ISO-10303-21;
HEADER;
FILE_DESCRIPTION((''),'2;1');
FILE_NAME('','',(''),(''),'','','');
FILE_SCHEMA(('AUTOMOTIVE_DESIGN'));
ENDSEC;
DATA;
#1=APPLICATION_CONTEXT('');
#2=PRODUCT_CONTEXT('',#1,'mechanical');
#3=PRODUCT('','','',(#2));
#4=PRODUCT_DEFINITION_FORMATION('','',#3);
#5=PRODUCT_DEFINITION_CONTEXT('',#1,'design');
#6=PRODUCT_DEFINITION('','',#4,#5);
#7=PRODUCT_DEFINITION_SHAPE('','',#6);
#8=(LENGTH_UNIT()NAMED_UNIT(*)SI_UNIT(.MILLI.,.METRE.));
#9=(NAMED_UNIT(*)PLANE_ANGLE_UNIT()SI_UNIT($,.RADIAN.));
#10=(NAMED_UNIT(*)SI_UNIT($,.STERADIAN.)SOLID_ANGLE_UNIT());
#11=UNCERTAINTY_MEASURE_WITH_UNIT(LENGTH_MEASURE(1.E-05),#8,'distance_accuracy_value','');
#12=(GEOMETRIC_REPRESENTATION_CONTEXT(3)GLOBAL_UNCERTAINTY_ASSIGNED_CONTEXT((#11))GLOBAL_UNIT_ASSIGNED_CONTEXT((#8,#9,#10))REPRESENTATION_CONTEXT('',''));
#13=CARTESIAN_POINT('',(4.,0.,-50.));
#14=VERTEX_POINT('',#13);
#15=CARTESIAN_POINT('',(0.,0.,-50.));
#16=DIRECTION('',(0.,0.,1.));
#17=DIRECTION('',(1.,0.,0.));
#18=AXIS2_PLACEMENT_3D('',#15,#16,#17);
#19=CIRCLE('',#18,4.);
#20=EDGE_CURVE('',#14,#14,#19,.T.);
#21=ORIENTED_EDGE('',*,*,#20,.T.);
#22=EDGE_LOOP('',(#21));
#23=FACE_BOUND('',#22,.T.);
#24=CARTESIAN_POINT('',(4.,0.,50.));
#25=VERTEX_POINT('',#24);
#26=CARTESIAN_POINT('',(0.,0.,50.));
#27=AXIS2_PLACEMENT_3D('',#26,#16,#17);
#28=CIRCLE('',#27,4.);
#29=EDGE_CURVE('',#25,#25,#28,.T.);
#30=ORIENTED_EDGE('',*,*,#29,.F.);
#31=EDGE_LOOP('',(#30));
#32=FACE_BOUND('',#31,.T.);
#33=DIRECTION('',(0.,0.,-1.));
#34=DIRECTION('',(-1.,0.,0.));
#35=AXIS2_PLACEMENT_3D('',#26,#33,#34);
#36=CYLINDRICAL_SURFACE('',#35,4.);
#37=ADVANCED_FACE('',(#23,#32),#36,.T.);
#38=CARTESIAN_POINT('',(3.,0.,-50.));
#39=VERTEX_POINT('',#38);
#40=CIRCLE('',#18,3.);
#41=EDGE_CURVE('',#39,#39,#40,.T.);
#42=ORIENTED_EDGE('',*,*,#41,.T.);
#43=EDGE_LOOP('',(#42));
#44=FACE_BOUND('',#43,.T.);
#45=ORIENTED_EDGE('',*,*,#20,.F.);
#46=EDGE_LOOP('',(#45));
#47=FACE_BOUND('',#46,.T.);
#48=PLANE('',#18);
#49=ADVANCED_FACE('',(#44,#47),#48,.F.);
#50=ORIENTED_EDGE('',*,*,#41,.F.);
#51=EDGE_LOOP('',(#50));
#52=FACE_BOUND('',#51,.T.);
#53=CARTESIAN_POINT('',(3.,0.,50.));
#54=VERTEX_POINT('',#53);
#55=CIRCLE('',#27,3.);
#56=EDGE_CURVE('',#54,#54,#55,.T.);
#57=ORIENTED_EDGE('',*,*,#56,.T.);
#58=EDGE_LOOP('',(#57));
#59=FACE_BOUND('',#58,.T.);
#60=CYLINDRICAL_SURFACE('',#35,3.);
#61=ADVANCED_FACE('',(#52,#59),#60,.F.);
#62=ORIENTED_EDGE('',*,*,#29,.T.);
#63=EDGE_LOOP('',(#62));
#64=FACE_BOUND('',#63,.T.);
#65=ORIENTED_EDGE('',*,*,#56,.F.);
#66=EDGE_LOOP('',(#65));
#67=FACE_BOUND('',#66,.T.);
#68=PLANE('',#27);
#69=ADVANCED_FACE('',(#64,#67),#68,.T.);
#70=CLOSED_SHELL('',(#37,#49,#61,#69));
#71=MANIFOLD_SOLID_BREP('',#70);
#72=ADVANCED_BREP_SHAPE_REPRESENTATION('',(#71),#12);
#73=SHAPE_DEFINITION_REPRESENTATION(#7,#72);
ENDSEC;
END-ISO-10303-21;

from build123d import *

# Parameters (mm, degrees)
SKETCH1_R           = 4
SKETCH1_R_2         = 3
BOSS_EXTRUDE1_DEPTH = 50


with BuildPart() as part:
    # Sketch1 → Boss-Extrude1 (new body, symmetric)
    with BuildSketch(Plane.XY):
        Circle(SKETCH1_R)
        Circle(SKETCH1_R_2, mode=Mode.SUBTRACT)
    extrude(amount=BOSS_EXTRUDE1_DEPTH, both=True)


solid = part.part
